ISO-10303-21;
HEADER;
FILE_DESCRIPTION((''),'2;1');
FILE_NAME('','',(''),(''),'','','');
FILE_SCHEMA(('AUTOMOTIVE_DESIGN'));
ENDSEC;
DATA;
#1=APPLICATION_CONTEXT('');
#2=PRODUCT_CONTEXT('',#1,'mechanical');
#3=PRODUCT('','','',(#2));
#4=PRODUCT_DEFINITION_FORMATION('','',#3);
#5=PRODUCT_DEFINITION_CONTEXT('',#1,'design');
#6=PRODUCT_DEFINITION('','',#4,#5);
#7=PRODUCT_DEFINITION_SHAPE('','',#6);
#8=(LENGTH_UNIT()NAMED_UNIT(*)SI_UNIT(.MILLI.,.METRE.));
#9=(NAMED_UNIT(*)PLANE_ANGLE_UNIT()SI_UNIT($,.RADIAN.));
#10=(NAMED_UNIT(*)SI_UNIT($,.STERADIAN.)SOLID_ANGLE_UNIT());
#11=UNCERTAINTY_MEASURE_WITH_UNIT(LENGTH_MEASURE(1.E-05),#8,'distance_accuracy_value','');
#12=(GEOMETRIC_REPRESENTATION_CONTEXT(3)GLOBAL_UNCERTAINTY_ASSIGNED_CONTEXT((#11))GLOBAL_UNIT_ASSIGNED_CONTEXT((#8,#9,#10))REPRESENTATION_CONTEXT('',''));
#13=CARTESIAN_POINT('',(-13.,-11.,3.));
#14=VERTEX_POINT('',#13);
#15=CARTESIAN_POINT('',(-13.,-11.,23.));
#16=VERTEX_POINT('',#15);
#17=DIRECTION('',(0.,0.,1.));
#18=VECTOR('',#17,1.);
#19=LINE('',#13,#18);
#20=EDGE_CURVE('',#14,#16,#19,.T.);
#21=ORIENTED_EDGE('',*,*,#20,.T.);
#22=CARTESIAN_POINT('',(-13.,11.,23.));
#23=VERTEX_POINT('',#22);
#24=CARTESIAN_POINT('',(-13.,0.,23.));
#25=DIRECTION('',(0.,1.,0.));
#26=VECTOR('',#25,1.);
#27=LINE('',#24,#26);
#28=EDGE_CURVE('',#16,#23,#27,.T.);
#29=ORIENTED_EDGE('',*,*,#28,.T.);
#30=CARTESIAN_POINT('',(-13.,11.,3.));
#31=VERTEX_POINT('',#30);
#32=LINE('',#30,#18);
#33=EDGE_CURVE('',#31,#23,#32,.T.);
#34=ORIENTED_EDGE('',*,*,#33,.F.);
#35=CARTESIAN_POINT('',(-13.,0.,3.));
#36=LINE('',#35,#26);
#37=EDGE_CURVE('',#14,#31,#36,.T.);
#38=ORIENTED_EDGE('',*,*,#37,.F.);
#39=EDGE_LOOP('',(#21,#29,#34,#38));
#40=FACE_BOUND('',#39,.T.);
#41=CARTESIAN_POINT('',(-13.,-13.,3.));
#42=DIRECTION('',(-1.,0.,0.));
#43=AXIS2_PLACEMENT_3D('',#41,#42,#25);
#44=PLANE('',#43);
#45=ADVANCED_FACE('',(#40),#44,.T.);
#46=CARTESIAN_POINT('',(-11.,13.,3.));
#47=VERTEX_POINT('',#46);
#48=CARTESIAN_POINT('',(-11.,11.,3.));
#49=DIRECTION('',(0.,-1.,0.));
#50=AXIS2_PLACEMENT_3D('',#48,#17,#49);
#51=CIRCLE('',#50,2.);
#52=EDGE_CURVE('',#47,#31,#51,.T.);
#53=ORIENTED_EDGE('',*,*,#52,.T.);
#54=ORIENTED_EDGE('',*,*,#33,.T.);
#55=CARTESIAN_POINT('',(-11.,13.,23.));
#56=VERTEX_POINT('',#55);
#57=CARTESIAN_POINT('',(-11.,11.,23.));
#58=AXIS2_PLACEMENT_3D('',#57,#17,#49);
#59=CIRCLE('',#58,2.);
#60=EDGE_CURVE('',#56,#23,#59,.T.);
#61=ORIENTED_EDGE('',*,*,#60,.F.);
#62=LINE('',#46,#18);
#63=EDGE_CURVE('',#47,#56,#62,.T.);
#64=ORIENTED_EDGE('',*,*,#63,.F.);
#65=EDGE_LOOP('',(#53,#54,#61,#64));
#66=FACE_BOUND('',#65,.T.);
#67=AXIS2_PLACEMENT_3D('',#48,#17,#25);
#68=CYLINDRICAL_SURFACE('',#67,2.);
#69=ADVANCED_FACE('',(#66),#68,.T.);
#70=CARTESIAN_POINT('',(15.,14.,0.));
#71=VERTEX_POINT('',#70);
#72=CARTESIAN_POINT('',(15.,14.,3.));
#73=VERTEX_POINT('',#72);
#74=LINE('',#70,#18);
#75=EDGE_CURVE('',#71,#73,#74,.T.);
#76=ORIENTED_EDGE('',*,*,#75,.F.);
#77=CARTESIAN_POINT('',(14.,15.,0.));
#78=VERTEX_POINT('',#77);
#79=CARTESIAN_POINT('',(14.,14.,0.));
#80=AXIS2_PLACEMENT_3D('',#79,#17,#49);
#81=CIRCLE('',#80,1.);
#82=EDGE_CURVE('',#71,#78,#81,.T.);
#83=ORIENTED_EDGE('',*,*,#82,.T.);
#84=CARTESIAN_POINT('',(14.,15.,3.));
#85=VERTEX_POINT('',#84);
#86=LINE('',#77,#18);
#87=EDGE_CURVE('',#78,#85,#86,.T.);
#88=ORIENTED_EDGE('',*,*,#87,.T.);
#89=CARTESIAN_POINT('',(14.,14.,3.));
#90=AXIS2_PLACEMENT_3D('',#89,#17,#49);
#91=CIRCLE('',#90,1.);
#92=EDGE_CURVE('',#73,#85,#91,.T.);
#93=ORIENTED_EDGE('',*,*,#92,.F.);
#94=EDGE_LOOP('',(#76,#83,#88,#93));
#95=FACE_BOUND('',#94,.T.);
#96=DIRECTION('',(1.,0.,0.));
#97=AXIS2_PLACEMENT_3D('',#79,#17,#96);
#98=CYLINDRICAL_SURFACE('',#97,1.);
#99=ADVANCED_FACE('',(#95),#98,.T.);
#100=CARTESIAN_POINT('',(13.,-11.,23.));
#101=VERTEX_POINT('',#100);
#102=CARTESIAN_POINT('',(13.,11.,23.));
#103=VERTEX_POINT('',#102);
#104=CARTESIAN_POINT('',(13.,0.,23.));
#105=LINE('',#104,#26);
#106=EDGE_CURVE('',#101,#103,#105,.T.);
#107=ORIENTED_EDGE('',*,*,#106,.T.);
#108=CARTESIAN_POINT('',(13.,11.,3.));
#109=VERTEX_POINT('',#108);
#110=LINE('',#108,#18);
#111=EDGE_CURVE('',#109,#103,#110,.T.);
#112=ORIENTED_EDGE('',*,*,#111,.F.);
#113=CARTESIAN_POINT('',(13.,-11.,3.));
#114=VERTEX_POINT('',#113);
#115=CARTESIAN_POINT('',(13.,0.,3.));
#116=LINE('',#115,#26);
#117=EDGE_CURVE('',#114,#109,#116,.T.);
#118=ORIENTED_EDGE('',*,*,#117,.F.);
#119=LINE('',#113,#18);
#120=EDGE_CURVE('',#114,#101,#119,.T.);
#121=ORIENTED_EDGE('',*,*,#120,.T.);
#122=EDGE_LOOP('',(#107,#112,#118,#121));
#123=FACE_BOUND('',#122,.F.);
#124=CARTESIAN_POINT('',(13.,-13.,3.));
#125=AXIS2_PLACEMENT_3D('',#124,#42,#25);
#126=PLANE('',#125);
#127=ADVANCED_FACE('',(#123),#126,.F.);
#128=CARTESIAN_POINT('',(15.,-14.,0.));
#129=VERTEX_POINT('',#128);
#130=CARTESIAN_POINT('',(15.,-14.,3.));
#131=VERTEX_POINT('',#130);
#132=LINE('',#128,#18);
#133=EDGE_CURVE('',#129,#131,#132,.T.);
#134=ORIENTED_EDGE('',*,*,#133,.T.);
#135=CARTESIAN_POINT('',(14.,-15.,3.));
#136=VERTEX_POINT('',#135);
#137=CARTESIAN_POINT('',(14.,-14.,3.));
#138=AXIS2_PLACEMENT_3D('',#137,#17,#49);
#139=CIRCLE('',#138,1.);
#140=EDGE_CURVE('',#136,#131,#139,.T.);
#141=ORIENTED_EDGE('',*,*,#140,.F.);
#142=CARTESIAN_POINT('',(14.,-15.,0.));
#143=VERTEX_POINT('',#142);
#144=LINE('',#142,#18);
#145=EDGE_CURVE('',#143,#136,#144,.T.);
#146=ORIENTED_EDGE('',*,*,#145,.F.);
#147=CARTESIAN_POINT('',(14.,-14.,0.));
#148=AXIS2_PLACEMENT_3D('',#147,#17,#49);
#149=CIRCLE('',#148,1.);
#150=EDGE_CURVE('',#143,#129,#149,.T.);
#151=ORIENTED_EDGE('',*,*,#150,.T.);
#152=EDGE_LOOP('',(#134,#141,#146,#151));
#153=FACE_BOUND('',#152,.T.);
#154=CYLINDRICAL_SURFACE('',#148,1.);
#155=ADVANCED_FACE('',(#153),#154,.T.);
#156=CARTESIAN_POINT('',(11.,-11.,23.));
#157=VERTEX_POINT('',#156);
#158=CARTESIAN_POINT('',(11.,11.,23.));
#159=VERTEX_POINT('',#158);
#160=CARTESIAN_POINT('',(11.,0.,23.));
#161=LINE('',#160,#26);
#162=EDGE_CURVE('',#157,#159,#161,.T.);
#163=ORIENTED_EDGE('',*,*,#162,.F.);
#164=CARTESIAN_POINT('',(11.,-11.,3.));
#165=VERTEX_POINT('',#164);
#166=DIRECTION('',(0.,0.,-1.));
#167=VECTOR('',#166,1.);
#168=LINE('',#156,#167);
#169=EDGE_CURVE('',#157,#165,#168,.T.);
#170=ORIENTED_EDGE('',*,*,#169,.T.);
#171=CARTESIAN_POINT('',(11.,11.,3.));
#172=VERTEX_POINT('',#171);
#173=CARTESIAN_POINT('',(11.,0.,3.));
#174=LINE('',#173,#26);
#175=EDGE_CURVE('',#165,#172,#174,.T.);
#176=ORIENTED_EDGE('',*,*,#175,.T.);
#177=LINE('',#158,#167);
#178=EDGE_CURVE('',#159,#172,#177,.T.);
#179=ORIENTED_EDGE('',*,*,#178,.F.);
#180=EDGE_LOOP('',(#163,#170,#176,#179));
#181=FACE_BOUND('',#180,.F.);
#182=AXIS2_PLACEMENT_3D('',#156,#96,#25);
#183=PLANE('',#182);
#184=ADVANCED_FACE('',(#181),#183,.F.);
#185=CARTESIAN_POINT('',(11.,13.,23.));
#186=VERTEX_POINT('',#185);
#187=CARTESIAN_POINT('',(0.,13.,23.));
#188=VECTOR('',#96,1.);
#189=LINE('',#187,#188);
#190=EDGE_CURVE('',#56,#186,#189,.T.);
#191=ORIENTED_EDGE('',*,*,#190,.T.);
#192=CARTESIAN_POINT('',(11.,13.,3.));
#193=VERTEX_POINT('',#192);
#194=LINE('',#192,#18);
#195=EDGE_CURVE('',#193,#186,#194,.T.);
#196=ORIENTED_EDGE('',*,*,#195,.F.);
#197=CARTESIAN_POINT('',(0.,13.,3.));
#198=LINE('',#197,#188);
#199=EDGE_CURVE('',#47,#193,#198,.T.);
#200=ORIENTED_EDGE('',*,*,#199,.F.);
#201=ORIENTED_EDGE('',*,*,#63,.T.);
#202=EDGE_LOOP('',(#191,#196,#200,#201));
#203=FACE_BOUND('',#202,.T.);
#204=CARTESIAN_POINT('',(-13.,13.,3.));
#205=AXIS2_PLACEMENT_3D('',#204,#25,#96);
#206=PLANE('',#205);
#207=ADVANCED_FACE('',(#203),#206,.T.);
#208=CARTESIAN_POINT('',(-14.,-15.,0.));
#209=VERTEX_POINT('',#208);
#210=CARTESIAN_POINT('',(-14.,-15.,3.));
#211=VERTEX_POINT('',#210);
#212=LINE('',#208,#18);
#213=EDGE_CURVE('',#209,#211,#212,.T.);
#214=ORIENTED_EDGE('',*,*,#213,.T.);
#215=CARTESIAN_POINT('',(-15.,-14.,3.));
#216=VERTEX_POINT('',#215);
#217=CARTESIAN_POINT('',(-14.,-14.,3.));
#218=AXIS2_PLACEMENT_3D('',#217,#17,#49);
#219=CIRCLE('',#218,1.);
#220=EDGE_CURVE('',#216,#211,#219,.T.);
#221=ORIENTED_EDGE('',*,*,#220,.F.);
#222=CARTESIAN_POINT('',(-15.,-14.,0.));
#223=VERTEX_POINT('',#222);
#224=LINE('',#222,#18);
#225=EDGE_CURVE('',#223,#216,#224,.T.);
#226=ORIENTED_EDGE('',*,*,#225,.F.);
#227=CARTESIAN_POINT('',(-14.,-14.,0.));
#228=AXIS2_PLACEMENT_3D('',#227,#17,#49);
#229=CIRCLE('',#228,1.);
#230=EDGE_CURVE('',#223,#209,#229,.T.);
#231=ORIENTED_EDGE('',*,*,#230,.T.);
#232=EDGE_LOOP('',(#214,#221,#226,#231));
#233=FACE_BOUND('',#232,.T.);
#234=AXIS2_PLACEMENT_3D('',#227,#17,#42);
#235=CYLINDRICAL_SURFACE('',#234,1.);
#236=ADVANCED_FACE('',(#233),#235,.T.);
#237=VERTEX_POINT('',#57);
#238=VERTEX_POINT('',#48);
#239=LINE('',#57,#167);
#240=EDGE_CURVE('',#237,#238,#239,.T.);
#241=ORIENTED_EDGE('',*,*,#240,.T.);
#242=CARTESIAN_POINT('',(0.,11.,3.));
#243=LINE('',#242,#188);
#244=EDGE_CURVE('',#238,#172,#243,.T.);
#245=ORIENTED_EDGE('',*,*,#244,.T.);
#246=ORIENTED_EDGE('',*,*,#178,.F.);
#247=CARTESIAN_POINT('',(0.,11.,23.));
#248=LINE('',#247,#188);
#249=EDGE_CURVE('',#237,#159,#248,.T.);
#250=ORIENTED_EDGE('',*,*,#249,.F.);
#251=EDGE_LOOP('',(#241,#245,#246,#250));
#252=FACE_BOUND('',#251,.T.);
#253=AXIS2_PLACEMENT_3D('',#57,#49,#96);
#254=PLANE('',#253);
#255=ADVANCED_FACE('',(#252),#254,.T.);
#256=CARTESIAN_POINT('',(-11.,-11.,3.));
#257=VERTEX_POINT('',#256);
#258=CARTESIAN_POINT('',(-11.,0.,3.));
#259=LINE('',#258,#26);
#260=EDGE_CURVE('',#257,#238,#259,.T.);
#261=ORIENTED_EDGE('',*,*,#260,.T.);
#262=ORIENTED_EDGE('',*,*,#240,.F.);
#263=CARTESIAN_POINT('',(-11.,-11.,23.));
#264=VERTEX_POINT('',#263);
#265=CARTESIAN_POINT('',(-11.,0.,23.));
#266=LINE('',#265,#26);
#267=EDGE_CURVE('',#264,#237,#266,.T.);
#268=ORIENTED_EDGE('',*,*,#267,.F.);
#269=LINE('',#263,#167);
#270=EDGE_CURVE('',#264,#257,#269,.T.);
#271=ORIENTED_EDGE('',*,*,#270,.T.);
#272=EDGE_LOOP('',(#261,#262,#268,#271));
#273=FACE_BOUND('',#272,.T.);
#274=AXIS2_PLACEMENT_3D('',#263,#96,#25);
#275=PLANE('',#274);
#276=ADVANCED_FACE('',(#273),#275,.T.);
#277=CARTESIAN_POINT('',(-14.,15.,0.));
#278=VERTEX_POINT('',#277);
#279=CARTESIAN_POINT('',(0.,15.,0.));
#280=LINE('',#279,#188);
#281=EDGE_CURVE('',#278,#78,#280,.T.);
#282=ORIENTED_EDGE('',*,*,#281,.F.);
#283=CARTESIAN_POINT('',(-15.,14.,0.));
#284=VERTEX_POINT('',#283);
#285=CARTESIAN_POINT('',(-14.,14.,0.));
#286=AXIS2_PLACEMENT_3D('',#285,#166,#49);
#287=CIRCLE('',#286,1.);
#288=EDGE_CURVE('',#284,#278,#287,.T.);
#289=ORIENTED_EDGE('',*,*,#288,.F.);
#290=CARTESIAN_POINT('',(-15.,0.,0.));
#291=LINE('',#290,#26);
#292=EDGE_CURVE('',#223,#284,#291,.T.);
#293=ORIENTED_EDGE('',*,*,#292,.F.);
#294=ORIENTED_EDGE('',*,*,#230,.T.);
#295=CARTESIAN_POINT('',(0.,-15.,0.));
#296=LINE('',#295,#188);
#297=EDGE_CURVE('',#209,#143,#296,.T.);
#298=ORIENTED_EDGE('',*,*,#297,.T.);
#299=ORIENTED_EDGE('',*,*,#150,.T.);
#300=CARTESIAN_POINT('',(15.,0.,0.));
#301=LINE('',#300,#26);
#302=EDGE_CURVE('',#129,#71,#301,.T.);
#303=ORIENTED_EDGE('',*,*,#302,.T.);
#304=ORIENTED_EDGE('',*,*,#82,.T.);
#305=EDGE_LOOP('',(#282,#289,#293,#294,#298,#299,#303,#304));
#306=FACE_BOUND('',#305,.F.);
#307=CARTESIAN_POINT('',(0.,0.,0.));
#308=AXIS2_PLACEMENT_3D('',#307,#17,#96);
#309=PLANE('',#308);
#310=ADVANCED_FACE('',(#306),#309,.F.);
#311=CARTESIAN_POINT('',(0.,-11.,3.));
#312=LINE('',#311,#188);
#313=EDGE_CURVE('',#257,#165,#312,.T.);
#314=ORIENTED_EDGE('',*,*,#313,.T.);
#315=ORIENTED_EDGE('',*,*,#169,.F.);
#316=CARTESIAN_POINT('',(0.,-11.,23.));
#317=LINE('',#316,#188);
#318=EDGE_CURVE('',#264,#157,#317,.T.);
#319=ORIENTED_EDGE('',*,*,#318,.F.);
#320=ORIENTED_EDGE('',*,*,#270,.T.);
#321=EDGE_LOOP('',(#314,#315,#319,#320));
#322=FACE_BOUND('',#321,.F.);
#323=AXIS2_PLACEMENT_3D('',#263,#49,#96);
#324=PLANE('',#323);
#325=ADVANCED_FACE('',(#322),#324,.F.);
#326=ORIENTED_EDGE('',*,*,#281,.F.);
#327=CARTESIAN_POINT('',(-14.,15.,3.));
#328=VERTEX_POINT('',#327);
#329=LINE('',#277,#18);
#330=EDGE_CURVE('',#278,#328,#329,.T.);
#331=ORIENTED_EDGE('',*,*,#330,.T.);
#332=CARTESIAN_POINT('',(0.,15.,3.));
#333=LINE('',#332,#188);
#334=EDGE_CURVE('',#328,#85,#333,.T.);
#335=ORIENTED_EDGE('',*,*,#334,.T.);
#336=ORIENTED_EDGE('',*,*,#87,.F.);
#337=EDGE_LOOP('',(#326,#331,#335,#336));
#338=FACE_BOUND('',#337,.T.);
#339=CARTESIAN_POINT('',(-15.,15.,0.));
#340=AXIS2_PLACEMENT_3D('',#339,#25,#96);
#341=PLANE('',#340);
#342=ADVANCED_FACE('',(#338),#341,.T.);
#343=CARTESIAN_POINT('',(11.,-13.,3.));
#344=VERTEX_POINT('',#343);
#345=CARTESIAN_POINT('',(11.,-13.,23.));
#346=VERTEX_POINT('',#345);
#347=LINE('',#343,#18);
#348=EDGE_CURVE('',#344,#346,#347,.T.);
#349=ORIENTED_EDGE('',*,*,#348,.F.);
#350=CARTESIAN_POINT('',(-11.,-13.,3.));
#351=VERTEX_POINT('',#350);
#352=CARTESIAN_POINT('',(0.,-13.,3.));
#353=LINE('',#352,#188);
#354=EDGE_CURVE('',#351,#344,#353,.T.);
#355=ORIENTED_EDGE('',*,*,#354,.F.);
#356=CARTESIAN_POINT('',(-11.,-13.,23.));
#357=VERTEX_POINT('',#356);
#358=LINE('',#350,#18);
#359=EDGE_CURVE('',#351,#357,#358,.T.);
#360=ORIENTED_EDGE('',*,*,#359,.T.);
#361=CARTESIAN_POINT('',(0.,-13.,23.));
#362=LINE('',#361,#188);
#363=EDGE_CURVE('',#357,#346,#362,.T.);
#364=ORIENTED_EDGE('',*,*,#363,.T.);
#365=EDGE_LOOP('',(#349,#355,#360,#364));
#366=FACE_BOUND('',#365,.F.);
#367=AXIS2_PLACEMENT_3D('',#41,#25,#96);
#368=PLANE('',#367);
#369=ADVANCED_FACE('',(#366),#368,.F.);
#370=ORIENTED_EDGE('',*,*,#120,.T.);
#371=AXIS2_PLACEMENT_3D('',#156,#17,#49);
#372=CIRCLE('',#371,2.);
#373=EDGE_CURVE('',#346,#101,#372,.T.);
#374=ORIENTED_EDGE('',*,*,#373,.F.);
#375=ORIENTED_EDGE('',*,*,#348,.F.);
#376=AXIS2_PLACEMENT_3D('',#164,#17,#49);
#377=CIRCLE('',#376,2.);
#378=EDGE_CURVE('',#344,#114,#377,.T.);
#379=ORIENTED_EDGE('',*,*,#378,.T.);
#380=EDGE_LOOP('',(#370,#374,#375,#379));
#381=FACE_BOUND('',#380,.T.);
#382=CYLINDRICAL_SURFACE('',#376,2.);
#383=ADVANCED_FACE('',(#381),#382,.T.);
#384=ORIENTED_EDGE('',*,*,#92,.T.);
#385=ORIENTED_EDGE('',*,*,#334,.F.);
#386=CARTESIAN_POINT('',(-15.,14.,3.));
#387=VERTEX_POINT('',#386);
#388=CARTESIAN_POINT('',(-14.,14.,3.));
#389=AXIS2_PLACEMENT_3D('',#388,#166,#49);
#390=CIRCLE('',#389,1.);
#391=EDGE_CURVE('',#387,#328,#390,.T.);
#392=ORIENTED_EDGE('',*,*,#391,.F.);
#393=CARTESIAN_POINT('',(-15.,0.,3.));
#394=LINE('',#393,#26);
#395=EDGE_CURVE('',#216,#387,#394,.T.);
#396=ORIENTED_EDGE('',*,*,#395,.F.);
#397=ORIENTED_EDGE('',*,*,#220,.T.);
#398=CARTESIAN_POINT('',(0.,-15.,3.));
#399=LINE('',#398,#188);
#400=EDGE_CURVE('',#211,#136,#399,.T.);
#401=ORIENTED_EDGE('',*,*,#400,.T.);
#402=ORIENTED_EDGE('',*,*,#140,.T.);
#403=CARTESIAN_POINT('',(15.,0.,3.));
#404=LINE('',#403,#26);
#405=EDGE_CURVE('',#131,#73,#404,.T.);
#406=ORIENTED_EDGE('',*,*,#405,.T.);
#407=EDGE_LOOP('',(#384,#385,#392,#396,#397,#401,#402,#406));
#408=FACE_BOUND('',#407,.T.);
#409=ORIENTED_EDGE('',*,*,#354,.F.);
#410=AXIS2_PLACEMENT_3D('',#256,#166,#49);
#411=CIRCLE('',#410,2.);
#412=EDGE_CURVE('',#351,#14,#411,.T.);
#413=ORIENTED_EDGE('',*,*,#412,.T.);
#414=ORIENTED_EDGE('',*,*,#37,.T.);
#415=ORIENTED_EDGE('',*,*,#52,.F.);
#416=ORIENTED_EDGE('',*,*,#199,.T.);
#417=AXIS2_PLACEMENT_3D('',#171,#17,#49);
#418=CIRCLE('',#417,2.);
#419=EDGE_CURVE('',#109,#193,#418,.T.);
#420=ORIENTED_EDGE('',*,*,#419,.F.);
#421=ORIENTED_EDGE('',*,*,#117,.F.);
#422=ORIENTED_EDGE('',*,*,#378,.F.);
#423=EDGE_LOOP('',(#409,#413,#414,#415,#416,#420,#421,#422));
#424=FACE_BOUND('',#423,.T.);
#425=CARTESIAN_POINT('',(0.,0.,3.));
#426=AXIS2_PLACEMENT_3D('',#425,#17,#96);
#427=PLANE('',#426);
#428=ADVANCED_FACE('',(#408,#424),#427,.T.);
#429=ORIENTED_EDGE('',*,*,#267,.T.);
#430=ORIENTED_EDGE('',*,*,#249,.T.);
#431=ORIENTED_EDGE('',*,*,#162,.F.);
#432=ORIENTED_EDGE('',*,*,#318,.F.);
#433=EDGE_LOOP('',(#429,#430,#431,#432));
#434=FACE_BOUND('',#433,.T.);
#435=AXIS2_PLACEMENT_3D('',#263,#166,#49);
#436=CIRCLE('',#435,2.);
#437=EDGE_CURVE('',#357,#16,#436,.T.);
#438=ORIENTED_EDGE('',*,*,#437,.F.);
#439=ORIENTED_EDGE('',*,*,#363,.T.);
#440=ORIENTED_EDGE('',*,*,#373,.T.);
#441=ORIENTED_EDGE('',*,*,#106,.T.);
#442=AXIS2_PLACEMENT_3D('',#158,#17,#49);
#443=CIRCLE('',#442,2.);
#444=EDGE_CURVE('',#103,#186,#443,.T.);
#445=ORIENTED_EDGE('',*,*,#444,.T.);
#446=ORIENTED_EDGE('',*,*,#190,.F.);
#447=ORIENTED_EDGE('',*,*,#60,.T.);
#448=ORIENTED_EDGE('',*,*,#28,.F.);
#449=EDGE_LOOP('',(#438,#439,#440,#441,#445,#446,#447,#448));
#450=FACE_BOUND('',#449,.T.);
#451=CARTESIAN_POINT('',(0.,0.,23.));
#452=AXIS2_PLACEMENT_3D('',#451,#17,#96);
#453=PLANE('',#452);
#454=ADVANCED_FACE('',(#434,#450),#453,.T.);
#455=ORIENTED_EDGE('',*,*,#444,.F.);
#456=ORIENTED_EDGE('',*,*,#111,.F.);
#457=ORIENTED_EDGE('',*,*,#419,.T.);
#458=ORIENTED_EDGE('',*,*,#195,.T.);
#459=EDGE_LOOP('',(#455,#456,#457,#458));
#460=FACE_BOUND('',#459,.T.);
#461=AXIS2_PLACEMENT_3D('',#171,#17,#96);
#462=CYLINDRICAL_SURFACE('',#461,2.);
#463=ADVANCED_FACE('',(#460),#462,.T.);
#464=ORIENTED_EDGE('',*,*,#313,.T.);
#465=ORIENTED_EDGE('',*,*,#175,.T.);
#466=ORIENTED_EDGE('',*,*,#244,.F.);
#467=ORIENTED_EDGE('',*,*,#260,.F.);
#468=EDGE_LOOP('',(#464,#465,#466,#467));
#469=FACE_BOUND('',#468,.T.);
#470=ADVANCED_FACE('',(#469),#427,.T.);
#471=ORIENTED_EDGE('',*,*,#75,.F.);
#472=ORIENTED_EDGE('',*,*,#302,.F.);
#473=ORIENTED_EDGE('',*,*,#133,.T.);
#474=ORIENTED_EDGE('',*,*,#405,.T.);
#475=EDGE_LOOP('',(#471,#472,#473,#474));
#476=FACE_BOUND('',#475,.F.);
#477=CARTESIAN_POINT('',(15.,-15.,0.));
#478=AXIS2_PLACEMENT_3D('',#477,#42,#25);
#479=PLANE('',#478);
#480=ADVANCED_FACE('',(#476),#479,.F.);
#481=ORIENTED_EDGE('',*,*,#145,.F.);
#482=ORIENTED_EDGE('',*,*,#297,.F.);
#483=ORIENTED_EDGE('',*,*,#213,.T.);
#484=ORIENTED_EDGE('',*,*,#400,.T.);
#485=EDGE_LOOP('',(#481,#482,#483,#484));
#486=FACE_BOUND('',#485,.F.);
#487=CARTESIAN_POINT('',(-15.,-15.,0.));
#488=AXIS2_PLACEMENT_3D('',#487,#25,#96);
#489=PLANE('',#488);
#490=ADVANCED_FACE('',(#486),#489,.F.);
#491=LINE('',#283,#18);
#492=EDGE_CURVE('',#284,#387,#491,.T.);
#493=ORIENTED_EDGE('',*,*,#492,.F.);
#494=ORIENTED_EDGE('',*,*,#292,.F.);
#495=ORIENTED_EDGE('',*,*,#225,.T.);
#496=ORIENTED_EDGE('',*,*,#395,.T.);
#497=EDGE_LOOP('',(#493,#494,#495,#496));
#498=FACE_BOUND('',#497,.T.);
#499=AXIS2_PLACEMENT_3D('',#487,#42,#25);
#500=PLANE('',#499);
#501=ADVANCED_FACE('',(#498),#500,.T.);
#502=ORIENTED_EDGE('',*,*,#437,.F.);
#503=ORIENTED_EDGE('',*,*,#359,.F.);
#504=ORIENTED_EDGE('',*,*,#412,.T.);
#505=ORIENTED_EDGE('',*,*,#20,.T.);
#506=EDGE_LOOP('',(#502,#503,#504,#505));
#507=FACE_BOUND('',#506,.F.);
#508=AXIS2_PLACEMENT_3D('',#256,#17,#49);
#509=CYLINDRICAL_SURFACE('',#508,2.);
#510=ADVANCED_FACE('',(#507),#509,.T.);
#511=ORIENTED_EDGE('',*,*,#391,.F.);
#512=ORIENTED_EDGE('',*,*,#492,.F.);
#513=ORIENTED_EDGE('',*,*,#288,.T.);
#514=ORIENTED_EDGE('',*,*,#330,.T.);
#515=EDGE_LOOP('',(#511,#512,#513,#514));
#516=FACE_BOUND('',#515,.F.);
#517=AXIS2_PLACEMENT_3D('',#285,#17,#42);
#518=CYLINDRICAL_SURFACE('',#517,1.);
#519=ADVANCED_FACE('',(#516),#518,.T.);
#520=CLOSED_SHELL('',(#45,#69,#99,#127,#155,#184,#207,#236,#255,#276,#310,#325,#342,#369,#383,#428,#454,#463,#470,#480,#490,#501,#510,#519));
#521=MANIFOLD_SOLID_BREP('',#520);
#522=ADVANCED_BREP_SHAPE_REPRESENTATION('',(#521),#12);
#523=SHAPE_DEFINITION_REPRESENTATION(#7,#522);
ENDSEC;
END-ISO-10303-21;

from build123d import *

# Parameters (mm, degrees)
F0_W     = 30
F0_H     = 30
F1_DEPTH = 3
F2_R     = 1
F3_W     = 26
F3_H     = 26
F4_DEPTH = 20
F5_R     = 2
F6_W     = 22
F6_H     = 22
F7_DEPTH = 20


with BuildPart() as f1:
    # F0 (on Top) → F1 (new body)
    with BuildSketch(Plane.XY):
        Rectangle(F0_W, F0_H)
    extrude(amount=F1_DEPTH)

    # F2
    f2_edges = [f1.edges().sort_by_distance(p)[0] for p in [
        (-15, 15, 1.5),
        (-15, -15, 1.5),
        (15, -15, 1.5),
        (15, 15, 1.5),
    ]]
    fillet(f2_edges, radius=F2_R)

    # F3 (on face) → F4 (join)
    with BuildSketch(Plane.XY.offset(3)):
        Rectangle(F3_W, F3_H)
    extrude(amount=F4_DEPTH)

    # F5
    f5_edges = [f1.edges().sort_by_distance(p)[0] for p in [
        (-13, -13, 13),
        (13, -13, 13),
        (13, 13, 13),
        (-13, 13, 13),
    ]]
    fillet(f5_edges, radius=F5_R)

    # F6 (on face) → F7 (cut, through all)
    with BuildSketch(Plane.XY.offset(23)):
        Rectangle(F6_W, F6_H)
    extrude(amount=-F7_DEPTH, mode=Mode.SUBTRACT)


solid = f1.part
